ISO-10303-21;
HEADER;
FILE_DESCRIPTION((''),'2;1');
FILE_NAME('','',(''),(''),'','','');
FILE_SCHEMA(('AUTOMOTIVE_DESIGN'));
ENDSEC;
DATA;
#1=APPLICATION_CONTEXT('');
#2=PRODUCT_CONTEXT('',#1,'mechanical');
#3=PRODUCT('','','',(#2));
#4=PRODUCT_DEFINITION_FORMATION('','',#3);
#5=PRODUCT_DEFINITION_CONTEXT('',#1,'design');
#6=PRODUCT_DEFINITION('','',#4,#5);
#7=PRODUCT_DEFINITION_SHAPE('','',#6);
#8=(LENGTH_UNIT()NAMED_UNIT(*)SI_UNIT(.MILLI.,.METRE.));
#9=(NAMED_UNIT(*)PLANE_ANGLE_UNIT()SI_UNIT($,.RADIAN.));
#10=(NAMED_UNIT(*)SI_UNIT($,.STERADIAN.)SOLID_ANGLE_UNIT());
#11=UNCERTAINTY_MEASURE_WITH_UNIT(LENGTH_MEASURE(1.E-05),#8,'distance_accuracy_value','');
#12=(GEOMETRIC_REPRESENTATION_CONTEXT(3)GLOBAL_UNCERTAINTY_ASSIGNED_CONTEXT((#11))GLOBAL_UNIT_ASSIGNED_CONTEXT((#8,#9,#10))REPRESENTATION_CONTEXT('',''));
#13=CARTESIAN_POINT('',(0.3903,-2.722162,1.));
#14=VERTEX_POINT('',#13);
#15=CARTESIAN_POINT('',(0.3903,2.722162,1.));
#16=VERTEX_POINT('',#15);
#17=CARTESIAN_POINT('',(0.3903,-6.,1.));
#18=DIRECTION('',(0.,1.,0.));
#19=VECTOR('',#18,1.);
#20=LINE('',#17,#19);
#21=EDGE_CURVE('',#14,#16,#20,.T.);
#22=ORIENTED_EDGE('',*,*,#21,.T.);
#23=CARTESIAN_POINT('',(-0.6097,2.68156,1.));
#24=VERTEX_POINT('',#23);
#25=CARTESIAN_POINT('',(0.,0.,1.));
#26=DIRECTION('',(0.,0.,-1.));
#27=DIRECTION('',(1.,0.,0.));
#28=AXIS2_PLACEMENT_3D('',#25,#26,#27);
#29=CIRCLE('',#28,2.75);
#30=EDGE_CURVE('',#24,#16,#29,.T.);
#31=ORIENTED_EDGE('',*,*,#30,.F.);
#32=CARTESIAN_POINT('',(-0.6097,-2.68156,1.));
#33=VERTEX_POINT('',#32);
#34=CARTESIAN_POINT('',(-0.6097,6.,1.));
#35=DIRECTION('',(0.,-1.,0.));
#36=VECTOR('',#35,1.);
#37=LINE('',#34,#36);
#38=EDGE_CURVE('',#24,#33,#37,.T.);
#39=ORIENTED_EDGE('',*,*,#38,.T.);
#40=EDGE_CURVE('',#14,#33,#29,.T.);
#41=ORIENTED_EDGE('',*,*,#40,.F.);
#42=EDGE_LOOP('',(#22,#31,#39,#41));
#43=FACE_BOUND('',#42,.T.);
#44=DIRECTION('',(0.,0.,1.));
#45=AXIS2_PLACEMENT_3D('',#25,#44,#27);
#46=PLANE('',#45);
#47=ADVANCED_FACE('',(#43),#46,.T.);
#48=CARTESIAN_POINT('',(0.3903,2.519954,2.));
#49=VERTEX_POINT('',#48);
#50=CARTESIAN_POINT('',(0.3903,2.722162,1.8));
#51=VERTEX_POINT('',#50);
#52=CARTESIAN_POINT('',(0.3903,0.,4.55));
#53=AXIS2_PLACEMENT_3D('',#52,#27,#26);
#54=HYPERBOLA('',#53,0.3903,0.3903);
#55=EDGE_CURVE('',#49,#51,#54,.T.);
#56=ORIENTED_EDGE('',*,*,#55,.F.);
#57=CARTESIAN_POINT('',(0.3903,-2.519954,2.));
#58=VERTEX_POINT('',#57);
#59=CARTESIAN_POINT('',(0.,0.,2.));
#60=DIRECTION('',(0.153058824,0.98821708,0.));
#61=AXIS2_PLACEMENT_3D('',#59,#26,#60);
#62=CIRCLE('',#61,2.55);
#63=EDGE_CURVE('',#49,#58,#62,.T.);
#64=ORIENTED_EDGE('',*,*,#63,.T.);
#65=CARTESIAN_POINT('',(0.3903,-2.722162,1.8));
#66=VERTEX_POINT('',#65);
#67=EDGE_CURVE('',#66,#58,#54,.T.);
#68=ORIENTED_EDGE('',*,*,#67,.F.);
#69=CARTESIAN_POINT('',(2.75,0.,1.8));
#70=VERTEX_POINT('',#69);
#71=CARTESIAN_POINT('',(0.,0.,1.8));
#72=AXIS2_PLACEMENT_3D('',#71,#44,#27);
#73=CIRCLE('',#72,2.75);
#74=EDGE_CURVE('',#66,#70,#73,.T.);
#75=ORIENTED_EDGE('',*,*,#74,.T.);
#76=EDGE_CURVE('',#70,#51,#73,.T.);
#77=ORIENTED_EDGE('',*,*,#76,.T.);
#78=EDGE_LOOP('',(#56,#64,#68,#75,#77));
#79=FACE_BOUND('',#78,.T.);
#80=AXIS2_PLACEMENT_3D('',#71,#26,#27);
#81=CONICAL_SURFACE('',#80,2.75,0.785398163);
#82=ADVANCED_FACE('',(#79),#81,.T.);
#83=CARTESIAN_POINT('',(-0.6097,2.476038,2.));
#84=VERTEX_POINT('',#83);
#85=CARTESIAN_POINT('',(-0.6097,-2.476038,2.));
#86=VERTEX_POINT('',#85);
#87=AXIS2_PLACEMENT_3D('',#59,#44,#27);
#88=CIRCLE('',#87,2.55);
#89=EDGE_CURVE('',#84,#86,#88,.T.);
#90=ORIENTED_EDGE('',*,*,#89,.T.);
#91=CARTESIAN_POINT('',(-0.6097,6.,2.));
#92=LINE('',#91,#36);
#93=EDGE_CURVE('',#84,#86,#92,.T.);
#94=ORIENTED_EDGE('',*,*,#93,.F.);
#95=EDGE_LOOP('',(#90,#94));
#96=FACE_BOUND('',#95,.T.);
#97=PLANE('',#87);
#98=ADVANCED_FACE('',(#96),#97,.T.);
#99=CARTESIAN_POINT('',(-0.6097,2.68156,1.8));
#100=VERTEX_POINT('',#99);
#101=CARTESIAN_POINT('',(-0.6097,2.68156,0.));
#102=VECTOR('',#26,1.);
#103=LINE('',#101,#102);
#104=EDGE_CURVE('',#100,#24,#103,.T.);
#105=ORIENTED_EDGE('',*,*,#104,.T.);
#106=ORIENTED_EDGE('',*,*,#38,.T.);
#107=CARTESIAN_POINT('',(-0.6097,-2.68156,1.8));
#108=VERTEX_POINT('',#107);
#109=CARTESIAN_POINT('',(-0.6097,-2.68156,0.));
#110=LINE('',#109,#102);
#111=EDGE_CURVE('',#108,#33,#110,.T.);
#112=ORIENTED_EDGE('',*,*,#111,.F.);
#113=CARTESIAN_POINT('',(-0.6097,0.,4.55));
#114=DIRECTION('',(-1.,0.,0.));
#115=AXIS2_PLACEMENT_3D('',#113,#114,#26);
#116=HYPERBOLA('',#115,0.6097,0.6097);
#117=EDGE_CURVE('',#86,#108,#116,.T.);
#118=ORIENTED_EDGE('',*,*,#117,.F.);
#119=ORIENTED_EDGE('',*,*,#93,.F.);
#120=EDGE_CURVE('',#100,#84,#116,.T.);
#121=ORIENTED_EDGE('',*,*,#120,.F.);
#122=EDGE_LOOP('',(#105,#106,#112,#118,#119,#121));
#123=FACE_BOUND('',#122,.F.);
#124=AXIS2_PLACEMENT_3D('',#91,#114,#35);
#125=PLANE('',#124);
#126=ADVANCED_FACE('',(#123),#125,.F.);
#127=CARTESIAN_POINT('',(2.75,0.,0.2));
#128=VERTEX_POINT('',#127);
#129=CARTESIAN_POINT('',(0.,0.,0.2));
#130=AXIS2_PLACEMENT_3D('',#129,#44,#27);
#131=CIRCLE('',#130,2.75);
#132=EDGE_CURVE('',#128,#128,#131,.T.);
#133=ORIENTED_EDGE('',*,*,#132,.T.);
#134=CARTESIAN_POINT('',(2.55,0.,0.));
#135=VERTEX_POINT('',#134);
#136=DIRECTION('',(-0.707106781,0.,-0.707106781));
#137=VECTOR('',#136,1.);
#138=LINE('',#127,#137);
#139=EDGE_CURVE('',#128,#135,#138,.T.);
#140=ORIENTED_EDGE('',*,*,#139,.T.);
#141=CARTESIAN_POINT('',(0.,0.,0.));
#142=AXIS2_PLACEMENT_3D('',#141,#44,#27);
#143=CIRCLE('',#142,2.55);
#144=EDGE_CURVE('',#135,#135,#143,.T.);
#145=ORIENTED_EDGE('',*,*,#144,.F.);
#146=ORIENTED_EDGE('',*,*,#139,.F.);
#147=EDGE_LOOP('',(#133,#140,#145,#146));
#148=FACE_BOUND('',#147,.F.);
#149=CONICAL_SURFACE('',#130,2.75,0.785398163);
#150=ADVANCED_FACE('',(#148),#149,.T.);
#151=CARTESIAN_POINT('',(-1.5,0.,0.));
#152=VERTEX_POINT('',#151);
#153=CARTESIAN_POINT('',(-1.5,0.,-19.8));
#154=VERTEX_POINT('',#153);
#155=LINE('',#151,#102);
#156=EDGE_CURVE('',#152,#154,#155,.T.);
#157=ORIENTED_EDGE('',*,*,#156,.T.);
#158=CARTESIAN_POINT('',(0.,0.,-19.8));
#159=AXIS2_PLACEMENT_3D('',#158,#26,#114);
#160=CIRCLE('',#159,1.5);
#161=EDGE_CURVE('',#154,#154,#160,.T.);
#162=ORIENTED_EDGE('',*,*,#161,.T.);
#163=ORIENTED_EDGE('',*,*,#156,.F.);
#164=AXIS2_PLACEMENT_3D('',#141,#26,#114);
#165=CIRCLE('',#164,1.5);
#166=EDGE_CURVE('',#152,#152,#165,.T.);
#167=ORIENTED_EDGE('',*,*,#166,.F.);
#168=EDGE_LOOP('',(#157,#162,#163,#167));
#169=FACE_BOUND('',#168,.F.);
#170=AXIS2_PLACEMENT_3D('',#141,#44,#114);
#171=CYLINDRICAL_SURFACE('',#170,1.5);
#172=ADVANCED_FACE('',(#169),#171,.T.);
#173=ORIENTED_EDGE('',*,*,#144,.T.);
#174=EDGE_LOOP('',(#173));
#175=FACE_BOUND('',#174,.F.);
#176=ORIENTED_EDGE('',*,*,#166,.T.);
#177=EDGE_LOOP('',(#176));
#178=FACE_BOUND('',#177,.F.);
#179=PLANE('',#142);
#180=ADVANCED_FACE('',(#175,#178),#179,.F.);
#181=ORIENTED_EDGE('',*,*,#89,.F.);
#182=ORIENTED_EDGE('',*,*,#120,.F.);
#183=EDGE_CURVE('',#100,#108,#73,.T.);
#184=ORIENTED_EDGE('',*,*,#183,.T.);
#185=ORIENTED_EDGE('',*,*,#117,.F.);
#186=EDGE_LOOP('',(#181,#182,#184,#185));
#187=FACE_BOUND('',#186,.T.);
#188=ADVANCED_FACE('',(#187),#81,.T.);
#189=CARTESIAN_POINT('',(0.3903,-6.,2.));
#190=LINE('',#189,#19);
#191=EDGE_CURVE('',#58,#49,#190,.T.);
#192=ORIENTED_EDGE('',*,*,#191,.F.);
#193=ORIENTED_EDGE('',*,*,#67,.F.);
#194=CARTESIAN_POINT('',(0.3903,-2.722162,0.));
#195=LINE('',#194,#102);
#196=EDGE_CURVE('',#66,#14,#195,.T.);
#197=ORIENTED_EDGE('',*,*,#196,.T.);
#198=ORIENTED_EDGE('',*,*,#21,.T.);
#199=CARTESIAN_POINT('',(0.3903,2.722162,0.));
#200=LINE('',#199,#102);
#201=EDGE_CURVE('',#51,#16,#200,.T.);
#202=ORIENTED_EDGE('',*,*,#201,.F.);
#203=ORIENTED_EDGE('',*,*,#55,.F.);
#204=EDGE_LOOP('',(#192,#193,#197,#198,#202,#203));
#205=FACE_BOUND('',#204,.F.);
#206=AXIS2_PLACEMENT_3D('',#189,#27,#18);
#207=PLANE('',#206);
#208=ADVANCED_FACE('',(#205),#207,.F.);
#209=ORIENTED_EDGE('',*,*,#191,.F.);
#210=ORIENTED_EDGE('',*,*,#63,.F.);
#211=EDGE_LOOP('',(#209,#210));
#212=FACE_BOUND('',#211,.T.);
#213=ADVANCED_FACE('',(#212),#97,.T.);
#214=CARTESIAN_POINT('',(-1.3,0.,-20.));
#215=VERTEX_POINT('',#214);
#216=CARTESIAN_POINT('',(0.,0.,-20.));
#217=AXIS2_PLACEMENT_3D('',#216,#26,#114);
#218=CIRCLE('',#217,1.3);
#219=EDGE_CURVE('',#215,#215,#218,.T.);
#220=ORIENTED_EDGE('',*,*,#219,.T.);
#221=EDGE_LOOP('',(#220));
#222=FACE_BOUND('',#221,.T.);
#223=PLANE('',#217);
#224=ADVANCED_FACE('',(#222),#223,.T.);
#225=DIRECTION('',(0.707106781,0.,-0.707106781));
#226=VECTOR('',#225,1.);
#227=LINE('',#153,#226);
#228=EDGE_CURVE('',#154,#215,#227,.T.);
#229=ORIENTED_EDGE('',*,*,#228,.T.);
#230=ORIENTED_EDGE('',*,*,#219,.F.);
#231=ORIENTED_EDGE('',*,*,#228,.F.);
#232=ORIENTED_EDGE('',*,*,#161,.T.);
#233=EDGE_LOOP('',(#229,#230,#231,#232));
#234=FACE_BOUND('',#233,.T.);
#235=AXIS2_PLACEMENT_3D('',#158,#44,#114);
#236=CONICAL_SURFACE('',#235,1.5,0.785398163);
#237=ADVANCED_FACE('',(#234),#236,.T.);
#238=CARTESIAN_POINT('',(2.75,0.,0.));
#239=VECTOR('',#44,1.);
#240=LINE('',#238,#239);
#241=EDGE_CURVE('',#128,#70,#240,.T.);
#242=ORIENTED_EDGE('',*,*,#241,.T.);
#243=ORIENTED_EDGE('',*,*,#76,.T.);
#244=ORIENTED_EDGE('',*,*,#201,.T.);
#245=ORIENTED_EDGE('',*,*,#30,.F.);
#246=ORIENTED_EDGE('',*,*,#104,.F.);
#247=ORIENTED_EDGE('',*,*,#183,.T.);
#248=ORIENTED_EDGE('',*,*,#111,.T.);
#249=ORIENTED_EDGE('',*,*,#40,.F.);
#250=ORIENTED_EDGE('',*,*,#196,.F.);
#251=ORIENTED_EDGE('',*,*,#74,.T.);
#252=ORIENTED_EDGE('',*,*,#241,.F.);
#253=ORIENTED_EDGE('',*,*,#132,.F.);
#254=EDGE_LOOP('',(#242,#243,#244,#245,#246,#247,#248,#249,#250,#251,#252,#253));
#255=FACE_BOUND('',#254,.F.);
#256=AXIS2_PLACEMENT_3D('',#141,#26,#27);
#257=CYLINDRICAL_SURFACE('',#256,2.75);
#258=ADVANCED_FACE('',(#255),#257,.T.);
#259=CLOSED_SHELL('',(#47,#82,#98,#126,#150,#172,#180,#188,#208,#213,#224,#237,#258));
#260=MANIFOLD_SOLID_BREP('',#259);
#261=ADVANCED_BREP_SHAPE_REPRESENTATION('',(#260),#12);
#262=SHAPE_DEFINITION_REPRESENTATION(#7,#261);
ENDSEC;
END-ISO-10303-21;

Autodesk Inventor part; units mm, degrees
ref_plane "YZ Plane" through (0, 0, 0) normal (1, 0, 0) x (0, 1, 0)
ref_plane "XZ Plane" through (0, 0, 0) normal (0, 1, 0) x (-1, 0, 0)
ref_plane "XY Plane" through (0, 0, 0) normal (0, 0, 1) x (1, 0, 0)
sketch "Náčrt1" plane through (0, 0, 0) normal (0, 0, 1) x (1, 0, 0)
  circle A0 centre (0, 0) radius 2.75
  dimension "d0" = 5.5
extrude "Vysunutí1" add sketch "Náčrt1" along normal blind 2
chamfer "Zkosení1" distance 0.2 angle 45 1 edges at (-2.75, 0, 2)
chamfer "Zkosení2" distance 0.2 angle 45 1 edges at (-2.75, 0, 0)
sketch "Náčrt2" plane through (0, 0, 2) normal (0, 0, 1) x (1, 0, 0)
  line L0 (-0.6097, -6) -> (0.3903, -6)
  line L1 (0.3903, -6) -> (0.3903, 6)
  line L2 (0.3903, 6) -> (-0.6097, 6)
  line L3 (-0.6097, 6) -> (-0.6097, -6)
  line L4 (-0.6097, -6) -> (0.3903, 6) construction
  line L5 (0.3903, -6) -> (-0.6097, 6) construction
  point P0 (0, 0)
  point P1 (-0.1097, 0)
  dimension "d9" = 1
extrude "Vysunutí2" cut sketch "Náčrt2" against normal blind 1
sketch "Náčrt3" plane through (0, 0, 0) normal (0, 0, -1) x (-1, 0, 0)
  circle A0 centre (0, 0) radius 1.5
  dimension "d12" = 3
extrude "Vysunutí3" add sketch "Náčrt3" along normal blind 20
chamfer "Zkosení3" distance 0.2 angle 45 1 edges at (1.5, 0, -20)
thread "Závit1" size "M3x0.5" class "6g" standard "ANSI Metric M Profile" length 13
properties part number "Bolt-M3x20" material "Ocel, vysokopevnostní, nízkolegovaná"
